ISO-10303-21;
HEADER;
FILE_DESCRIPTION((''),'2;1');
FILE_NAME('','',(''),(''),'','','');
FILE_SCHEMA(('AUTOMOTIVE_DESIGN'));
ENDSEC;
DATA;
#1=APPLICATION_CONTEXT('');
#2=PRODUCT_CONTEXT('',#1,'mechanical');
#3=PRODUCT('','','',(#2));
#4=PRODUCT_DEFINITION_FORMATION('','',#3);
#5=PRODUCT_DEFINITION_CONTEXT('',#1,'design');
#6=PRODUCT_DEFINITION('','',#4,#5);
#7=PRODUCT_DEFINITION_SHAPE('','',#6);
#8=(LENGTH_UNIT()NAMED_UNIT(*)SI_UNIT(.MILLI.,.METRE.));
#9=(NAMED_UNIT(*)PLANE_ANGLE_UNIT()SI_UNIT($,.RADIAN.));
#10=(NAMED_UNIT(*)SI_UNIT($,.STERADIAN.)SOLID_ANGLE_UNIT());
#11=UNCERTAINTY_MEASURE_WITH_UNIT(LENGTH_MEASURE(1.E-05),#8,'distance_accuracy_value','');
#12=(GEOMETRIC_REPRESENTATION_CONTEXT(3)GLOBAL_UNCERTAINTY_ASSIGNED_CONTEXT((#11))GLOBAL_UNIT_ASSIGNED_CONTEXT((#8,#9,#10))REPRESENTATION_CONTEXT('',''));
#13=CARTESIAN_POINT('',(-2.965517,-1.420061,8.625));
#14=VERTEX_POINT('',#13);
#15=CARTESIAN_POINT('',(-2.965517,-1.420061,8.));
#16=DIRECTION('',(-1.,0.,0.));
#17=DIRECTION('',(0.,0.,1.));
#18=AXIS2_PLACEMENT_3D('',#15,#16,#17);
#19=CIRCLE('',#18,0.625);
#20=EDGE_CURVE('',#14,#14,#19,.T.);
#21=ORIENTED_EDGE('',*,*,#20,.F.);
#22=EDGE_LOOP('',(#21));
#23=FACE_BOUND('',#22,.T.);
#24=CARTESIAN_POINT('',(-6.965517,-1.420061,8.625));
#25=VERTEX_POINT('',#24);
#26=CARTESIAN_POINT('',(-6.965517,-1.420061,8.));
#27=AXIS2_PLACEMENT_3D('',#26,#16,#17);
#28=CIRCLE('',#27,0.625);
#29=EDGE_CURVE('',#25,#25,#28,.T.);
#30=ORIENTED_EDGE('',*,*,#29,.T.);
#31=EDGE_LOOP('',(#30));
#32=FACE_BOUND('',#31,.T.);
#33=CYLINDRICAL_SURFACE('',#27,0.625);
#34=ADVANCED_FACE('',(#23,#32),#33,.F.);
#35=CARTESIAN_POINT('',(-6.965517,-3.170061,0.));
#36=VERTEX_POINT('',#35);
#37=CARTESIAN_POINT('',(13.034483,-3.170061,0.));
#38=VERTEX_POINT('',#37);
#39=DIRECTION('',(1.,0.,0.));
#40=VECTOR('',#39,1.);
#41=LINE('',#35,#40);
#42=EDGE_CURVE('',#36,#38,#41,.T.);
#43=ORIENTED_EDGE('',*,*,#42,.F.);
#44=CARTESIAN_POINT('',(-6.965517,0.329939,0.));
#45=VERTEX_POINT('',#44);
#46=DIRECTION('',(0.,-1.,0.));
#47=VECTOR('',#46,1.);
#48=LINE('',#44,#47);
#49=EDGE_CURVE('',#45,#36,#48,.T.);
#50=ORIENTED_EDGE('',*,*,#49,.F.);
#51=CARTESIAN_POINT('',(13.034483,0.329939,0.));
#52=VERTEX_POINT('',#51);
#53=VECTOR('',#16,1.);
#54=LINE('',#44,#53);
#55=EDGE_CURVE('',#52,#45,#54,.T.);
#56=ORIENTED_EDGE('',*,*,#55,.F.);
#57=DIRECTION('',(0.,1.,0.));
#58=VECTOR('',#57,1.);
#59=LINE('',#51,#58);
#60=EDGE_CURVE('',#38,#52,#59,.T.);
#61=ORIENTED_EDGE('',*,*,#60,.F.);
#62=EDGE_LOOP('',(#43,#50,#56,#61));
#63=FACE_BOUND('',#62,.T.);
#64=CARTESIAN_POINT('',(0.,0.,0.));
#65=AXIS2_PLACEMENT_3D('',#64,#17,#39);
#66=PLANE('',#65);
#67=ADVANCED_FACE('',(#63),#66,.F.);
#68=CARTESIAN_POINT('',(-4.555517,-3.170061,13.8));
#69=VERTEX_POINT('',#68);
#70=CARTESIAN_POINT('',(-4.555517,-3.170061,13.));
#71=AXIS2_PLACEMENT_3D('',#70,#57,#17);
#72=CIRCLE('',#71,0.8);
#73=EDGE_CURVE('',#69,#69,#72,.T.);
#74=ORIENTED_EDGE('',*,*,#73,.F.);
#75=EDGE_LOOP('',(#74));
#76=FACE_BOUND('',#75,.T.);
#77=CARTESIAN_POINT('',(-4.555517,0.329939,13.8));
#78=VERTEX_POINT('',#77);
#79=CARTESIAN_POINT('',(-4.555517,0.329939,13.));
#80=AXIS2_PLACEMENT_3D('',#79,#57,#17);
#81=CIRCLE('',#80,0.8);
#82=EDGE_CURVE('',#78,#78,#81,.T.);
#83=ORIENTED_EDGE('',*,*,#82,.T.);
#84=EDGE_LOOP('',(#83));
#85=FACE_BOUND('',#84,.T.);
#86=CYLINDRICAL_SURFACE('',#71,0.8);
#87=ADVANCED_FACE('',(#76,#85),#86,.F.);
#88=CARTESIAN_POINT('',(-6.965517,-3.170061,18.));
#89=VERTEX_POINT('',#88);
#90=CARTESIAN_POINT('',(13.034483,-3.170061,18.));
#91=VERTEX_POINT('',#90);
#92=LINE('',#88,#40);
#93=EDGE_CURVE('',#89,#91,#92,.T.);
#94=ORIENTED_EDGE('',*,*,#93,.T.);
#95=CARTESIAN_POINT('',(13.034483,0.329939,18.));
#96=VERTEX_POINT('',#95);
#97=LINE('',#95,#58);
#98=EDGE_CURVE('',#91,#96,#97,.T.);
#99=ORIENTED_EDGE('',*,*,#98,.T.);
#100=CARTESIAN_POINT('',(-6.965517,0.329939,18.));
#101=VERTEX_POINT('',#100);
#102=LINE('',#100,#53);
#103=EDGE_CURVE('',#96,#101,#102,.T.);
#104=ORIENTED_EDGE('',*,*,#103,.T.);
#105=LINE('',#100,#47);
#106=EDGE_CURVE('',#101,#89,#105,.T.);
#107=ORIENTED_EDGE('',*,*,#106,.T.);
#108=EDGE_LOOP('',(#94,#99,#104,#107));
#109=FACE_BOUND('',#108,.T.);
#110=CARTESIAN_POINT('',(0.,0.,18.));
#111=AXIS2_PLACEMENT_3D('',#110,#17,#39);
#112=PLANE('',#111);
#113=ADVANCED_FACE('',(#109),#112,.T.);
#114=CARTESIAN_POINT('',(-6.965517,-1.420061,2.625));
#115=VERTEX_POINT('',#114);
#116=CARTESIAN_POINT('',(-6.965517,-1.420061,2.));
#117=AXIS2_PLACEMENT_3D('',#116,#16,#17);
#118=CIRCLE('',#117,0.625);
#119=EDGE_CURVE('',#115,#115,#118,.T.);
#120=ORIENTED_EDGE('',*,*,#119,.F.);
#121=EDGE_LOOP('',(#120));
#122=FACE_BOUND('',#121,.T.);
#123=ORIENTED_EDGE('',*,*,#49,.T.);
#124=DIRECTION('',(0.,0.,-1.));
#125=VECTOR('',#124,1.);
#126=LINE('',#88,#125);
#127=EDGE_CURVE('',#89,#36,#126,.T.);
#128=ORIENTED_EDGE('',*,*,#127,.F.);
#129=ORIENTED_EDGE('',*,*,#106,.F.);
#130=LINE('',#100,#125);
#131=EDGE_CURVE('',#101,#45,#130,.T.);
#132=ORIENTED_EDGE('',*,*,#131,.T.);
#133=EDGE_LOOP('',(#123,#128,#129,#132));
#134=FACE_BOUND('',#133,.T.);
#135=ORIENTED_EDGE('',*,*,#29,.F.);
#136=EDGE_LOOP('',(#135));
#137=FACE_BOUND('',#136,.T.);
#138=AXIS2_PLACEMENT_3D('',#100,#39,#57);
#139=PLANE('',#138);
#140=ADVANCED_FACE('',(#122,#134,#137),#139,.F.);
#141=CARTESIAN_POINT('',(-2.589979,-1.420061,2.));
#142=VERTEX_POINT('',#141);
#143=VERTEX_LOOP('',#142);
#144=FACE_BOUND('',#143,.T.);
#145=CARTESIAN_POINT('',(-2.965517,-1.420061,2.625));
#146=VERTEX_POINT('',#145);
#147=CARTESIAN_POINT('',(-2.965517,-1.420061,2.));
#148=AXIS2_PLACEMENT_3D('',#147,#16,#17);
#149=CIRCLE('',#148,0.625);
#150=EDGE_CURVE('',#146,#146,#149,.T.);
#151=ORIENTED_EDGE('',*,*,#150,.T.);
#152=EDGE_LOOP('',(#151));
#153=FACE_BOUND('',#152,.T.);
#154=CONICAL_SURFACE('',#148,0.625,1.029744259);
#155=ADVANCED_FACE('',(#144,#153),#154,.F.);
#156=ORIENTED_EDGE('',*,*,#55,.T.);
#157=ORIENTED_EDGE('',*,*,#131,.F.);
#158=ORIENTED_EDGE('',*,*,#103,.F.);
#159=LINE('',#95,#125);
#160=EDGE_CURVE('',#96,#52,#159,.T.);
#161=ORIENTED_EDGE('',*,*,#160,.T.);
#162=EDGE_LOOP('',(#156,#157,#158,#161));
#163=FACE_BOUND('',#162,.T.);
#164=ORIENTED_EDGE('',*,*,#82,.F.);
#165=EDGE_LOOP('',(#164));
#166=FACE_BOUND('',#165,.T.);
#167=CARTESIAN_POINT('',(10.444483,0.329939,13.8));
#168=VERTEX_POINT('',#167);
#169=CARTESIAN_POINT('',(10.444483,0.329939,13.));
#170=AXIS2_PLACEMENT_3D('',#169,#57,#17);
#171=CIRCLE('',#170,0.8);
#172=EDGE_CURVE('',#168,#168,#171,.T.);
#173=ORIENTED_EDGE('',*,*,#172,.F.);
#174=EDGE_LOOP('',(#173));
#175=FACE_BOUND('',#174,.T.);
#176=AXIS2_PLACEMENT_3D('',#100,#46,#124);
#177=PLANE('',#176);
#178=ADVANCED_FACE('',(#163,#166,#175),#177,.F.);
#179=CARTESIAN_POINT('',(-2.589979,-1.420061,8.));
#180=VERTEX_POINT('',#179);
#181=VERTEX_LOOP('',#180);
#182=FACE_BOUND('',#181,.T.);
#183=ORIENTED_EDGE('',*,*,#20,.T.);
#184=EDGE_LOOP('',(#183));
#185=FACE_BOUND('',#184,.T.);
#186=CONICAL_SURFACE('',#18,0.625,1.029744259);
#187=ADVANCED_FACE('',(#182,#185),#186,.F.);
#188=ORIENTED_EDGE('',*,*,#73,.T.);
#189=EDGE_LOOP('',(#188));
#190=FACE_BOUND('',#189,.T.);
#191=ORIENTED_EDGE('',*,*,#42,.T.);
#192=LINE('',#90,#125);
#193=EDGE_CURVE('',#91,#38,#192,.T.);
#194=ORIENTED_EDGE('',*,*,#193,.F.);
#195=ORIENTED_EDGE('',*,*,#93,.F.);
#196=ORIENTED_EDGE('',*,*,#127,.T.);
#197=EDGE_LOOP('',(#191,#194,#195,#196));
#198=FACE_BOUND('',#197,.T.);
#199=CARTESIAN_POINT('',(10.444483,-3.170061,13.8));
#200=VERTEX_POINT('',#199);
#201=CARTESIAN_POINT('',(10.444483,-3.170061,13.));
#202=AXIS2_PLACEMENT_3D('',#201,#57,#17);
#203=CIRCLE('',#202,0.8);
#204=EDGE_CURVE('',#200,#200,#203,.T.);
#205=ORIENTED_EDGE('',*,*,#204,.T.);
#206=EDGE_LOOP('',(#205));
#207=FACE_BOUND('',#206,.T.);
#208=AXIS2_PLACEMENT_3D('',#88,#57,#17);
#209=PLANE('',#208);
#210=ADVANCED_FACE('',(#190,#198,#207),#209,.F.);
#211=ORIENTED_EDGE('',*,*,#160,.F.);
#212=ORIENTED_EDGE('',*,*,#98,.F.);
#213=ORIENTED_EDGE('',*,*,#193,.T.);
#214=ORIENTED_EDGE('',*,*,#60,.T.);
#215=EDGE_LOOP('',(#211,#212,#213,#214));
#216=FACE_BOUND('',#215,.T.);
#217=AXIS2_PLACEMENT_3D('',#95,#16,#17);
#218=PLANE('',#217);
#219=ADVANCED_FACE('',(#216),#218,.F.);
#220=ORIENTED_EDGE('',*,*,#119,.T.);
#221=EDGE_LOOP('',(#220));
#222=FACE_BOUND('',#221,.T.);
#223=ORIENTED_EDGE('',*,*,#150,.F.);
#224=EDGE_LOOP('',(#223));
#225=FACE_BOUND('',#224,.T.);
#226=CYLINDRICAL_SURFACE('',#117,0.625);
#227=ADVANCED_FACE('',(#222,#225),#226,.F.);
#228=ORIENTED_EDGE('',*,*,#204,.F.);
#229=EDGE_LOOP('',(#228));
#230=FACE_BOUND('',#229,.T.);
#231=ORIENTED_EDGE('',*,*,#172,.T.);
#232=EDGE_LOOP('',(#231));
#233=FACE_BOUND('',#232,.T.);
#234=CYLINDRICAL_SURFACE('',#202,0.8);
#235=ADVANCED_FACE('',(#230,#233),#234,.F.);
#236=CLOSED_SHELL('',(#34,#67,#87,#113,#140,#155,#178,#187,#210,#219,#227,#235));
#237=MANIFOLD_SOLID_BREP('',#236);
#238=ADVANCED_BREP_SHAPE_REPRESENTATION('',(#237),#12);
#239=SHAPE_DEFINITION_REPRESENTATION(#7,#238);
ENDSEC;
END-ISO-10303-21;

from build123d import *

# Parameters (mm, degrees)
SKETCH_1_W               = 20
SKETCH_1_H               = 3.5
EXTRUDE_1_DEPTH          = 18
SKETCH_2_R               = 0.8
CUT_EXTRUDE_1_DEPTH      = 23.497727458
HOLE_WIZARD_M1_6_1_D     = 1.25
HOLE_WIZARD_M1_6_1_DEPTH = 4
HOLE_WIZARD_M1_6_1_TIP   = 0.375537887


with BuildPart() as part:
    # 草图1 → 凸台-拉伸1 (new body)
    with BuildSketch(Plane.XY):
        with Locations((3.034482759, -1.420060756)):
            Rectangle(SKETCH_1_W, SKETCH_1_H)
    extrude(amount=EXTRUDE_1_DEPTH)

    # 草图2 → 切除-拉伸1 (cut, through all)
    with BuildSketch(Plane(origin=(0, 0.329939244, 0), x_dir=(1, 0, 0), z_dir=(0, 1, 0))):
        with Locations(Location((-4.555517241, -13, 0), (0, 0, 270))):
            Circle(SKETCH_2_R)
        with Locations(Location((10.444482759, -13, 0), (0, 0, 270))):
            Circle(SKETCH_2_R)
    extrude(amount=-CUT_EXTRUDE_1_DEPTH, mode=Mode.SUBTRACT)

    # M1.6 螺纹孔1
    with Locations(Plane.ZY.offset(6.965517241)):
        with Locations((2, -1.420060756), (8, -1.420060756)):
            Hole(HOLE_WIZARD_M1_6_1_D / 2, depth=HOLE_WIZARD_M1_6_1_DEPTH)
            with Locations((0, 0, -(HOLE_WIZARD_M1_6_1_DEPTH + HOLE_WIZARD_M1_6_1_TIP / 2))):  # 118° drill point
                Cone(0, HOLE_WIZARD_M1_6_1_D / 2, HOLE_WIZARD_M1_6_1_TIP, mode=Mode.SUBTRACT)


solid = part.part
